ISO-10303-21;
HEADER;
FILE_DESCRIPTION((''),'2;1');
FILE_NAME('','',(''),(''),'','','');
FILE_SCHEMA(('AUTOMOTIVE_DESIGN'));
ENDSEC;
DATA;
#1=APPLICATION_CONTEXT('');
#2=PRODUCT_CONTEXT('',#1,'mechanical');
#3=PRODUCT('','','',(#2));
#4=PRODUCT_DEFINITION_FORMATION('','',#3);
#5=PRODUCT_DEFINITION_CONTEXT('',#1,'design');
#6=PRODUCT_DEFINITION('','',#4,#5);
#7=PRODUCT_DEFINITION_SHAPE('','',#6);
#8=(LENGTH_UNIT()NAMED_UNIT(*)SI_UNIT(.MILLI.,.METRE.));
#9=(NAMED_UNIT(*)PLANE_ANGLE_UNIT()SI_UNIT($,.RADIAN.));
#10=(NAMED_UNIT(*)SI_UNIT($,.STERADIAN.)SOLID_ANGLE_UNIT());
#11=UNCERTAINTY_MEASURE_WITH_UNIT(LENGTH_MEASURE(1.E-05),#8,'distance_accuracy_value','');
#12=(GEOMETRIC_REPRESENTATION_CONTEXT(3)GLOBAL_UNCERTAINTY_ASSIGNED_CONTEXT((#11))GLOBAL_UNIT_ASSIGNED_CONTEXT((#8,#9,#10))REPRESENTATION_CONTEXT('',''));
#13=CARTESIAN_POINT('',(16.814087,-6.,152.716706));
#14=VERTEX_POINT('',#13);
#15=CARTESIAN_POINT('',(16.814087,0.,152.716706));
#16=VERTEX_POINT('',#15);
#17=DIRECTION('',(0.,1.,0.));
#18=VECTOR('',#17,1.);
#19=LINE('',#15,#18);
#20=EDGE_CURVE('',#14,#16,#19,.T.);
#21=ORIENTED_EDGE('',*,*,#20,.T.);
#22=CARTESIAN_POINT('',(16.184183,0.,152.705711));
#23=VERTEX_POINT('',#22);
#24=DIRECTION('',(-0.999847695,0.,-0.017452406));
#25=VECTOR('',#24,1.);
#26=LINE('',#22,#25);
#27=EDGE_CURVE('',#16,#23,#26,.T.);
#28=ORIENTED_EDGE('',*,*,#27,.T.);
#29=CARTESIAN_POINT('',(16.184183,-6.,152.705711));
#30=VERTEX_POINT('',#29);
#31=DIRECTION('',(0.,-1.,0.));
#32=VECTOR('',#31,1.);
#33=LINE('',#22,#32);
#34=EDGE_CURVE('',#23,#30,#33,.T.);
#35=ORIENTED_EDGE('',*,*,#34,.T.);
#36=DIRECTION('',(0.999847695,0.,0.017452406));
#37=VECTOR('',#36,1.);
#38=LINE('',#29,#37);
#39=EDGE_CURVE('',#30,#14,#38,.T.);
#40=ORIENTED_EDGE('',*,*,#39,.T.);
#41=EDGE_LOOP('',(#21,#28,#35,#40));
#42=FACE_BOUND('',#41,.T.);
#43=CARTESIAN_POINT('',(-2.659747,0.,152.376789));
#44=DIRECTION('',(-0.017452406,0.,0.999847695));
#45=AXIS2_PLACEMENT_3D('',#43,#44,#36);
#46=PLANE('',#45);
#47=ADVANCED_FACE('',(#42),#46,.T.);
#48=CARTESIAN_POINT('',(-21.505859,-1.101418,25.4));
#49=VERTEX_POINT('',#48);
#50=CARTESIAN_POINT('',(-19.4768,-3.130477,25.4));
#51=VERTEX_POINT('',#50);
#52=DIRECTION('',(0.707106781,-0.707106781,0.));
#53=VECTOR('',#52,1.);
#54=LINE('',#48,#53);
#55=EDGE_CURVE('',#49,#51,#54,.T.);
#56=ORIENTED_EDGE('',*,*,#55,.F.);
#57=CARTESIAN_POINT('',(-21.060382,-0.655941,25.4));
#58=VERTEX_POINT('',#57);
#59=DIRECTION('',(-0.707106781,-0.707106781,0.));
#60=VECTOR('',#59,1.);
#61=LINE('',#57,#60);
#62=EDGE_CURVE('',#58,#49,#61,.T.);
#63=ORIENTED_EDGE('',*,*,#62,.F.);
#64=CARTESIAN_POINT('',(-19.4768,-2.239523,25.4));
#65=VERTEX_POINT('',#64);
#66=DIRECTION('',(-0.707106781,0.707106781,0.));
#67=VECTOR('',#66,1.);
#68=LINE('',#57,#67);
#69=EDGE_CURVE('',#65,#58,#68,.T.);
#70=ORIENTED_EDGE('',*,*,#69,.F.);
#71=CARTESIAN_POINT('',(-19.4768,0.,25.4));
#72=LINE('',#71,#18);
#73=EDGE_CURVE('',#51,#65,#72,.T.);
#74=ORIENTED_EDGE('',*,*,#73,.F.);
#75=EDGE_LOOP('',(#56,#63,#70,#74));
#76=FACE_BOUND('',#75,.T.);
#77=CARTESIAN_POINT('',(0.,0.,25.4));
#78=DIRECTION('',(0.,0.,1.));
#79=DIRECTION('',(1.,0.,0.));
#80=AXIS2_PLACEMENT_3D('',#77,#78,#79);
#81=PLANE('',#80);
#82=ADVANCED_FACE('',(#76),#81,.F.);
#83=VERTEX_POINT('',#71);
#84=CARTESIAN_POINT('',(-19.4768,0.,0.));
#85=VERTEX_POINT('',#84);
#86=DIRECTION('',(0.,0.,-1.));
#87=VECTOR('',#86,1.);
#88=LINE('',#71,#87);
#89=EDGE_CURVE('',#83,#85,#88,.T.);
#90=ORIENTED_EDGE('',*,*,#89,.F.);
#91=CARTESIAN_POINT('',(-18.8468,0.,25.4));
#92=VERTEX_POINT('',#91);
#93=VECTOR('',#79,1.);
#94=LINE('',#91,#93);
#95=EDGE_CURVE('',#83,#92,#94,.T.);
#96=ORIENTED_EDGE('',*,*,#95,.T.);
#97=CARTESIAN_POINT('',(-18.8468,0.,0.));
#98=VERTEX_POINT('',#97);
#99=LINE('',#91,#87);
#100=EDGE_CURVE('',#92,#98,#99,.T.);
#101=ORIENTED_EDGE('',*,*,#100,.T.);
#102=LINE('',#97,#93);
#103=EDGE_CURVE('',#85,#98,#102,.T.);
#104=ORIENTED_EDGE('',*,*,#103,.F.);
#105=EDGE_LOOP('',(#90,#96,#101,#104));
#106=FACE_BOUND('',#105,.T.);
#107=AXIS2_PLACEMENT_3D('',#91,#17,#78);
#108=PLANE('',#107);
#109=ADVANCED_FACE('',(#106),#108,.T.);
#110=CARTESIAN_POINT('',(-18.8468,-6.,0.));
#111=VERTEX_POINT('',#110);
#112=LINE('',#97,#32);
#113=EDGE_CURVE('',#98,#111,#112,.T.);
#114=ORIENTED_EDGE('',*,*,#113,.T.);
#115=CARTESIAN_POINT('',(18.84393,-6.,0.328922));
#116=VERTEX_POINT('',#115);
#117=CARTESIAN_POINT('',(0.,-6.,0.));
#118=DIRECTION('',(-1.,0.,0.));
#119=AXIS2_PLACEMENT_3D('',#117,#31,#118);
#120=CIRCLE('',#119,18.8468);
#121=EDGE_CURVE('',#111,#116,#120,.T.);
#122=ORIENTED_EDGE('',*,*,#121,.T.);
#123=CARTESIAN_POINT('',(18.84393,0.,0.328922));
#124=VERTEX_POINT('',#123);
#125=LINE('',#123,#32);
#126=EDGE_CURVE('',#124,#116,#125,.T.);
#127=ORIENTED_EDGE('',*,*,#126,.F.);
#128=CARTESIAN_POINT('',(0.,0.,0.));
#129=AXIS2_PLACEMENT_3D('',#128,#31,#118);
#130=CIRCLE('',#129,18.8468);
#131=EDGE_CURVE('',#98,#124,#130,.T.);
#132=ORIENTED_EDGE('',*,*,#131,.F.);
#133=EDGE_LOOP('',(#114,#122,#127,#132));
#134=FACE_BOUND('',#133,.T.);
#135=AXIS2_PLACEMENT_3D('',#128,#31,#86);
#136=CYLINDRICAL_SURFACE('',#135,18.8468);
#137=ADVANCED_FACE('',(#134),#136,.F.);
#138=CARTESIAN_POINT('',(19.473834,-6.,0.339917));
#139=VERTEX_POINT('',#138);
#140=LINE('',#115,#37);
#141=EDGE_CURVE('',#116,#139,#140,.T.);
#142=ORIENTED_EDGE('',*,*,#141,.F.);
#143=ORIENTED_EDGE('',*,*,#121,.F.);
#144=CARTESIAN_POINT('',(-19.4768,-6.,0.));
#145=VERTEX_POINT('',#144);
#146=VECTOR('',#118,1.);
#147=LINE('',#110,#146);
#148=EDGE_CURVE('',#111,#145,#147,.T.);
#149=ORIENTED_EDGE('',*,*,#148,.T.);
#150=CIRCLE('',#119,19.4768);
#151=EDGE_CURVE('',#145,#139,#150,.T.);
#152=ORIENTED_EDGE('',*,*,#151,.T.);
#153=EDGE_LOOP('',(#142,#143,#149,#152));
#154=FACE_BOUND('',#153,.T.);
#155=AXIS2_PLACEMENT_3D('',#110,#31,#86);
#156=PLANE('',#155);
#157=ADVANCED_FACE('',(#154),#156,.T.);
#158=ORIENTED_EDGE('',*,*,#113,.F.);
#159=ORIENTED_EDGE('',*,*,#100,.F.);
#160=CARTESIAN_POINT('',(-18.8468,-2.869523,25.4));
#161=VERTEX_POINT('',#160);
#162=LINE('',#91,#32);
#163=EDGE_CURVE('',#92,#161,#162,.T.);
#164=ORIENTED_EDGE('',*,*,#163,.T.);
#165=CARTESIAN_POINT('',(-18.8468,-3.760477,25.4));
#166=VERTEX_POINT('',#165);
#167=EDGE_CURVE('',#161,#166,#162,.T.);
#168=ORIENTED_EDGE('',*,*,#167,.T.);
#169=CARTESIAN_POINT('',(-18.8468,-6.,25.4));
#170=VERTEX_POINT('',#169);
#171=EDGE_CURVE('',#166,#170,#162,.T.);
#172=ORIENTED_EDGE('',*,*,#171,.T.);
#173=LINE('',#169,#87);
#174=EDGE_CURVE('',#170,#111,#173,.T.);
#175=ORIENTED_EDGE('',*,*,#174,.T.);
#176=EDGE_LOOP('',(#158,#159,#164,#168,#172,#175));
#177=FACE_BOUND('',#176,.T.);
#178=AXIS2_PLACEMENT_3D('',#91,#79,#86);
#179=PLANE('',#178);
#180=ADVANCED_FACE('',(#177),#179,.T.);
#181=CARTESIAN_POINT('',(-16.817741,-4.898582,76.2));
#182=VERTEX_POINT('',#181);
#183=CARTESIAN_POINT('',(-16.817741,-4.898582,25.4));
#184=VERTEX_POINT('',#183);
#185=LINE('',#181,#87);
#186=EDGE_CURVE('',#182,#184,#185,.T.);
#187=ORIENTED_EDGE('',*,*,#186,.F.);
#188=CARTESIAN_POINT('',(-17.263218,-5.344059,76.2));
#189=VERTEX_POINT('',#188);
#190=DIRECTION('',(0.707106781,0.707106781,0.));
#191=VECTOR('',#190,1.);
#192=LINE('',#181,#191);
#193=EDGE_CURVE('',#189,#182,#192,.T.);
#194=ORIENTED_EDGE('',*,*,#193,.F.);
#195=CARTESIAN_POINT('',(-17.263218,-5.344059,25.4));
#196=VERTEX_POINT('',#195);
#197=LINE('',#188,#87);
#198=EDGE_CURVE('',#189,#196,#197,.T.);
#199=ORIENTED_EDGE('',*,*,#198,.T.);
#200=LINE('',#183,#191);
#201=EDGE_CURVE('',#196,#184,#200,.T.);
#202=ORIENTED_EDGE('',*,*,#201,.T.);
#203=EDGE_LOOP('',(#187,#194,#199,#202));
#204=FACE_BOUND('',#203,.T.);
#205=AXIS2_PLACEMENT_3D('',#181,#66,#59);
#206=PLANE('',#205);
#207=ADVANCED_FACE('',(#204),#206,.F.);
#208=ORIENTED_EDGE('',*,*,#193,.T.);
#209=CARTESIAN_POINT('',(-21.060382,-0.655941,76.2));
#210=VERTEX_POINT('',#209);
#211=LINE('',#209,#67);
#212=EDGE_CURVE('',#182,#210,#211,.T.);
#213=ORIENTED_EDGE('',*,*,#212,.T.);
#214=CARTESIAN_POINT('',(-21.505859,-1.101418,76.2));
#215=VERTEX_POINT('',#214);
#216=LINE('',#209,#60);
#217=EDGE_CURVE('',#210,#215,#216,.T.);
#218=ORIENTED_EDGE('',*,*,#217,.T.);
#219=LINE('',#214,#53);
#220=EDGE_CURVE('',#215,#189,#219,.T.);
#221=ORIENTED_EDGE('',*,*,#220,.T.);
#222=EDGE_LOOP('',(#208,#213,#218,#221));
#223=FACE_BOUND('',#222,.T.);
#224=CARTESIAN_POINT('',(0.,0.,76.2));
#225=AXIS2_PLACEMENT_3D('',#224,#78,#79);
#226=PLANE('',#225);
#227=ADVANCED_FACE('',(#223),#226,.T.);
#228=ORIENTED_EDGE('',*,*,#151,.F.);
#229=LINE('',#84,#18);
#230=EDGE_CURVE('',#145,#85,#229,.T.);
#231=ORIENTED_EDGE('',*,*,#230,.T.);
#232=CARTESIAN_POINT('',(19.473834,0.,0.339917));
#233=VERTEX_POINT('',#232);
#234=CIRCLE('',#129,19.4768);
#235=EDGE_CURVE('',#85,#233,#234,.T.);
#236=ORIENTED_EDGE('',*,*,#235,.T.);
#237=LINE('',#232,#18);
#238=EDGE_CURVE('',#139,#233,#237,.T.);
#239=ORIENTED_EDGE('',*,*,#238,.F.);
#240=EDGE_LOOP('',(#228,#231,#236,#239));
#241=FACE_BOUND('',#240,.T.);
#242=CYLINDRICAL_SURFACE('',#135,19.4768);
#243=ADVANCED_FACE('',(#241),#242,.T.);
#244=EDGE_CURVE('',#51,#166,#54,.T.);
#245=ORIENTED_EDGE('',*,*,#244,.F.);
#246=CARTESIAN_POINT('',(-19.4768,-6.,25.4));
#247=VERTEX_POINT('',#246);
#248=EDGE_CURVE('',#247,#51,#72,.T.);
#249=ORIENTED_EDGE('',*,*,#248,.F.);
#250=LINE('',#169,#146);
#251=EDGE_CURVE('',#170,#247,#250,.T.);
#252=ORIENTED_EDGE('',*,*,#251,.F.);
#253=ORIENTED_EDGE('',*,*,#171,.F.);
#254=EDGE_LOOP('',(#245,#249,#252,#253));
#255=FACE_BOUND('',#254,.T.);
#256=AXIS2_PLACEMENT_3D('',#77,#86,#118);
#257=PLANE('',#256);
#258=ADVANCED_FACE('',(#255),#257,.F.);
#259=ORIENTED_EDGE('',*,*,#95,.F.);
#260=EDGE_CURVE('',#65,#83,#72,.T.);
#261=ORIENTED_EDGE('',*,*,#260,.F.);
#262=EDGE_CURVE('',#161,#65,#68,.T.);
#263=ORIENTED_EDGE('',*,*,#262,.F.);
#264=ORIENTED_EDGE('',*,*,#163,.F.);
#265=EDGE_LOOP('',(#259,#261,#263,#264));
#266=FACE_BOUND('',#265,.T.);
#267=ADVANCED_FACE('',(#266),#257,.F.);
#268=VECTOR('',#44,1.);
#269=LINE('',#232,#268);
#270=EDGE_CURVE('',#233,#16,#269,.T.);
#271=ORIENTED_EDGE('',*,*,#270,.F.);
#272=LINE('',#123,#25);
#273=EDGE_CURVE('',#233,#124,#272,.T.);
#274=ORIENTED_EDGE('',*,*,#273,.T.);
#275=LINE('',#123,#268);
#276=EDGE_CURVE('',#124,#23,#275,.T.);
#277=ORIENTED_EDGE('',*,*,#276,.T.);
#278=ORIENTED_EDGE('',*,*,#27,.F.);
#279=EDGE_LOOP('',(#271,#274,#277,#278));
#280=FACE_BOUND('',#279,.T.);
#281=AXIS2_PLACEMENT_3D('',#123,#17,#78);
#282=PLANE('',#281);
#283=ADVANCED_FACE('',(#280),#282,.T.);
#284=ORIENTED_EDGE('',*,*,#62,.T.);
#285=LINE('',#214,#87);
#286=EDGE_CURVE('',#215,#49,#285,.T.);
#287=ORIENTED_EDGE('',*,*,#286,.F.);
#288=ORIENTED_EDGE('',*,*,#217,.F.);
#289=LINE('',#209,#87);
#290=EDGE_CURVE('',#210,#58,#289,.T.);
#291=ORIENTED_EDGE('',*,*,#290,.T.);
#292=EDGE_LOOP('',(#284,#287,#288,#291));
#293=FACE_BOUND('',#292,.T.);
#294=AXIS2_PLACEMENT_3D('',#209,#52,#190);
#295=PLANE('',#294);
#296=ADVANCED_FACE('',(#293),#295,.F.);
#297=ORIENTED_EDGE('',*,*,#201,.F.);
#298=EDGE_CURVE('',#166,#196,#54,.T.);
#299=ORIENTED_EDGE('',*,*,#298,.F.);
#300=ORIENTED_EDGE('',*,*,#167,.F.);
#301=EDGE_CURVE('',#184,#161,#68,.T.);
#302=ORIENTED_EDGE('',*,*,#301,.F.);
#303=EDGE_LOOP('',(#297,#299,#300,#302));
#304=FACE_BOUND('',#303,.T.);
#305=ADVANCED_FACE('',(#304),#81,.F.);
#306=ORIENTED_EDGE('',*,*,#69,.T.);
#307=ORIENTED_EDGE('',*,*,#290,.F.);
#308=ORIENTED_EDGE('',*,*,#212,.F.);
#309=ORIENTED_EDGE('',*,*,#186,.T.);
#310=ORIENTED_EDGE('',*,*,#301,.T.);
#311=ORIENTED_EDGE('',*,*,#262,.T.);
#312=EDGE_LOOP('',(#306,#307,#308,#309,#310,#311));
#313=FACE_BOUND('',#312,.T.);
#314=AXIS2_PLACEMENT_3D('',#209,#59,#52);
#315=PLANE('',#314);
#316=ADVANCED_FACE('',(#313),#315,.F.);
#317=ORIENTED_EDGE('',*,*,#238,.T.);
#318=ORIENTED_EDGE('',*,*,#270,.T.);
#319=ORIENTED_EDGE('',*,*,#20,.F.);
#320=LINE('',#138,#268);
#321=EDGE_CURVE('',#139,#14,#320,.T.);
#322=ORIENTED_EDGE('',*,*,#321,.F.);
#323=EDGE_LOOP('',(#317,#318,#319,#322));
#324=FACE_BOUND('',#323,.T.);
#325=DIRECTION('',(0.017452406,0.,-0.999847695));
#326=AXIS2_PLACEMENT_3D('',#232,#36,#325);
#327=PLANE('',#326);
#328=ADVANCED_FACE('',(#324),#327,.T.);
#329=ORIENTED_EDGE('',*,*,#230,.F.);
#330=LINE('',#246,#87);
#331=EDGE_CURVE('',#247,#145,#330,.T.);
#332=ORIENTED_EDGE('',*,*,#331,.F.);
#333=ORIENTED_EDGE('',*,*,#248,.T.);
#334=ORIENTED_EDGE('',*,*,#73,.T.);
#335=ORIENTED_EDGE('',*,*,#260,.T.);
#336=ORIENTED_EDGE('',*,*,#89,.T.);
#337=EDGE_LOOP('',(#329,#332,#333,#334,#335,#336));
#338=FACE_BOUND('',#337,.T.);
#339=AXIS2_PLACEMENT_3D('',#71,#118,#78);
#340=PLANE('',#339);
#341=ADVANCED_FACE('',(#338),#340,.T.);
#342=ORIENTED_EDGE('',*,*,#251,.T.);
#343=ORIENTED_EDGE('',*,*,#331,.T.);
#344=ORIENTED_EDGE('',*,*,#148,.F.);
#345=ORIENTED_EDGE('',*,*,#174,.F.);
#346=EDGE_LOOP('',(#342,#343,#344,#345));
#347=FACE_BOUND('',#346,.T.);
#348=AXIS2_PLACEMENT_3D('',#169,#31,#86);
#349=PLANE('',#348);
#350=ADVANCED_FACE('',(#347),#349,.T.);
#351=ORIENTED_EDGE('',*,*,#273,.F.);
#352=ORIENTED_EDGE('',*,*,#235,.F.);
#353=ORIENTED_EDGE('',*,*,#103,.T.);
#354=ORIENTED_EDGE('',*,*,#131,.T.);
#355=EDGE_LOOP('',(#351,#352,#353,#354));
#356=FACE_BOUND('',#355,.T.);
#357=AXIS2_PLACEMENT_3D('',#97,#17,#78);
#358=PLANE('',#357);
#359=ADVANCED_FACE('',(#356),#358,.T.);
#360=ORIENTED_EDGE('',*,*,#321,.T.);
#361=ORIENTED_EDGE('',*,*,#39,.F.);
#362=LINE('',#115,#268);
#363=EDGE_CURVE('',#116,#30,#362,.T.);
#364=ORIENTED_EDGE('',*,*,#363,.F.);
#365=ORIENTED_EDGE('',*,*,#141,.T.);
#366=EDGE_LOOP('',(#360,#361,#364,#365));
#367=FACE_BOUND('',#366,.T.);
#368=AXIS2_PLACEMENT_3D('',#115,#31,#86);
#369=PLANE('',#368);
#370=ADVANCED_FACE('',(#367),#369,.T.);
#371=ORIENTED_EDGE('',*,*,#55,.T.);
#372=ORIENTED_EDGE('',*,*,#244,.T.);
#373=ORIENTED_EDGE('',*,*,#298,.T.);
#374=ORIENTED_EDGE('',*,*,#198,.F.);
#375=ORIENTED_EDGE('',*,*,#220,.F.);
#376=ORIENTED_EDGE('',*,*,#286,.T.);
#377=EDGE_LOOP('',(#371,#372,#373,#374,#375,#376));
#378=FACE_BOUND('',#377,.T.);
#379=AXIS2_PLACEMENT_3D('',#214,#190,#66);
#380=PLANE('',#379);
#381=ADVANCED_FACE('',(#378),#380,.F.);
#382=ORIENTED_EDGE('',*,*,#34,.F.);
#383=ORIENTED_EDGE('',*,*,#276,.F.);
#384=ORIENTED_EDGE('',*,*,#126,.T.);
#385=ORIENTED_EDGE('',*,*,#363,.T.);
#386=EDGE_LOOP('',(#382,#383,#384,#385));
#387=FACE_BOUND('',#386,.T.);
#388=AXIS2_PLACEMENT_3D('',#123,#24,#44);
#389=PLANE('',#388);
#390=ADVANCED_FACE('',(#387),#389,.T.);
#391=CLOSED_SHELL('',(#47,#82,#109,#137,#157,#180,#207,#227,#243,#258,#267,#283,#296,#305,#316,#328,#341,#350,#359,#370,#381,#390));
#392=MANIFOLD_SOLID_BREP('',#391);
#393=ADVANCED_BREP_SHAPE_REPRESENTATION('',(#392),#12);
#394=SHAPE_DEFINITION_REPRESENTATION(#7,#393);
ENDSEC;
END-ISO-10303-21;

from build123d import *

# Parameters (mm, degrees)
SKETCH2_W           = 0.63000001
SKETCH2_H           = 6
BOSS_EXTRUDE1_DEPTH = 50.8


with BuildPart() as part:
    # Sweep1: sweep along a path in Sketch1
    with BuildLine(Plane(origin=(0, 0, 0), x_dir=(1, 0, 0), z_dir=(0, 1, 0))) as sweep1_path:
        Line((-18.8468, -25.4), (-18.8468, 0))
        ThreePointArc((-18.8468, 0), (0.164467269, 18.846082372), (18.843929541, -0.328922014))
        Line((18.843929541, -0.328922014), (16.1841828, -152.705710755))
    # Sketch2 → Sweep1 (sweep)
    with BuildSketch(Plane(origin=(-18.8468, 0, 25.4), x_dir=(-1, 0, 0), z_dir=(0, 0, -1))):
        with Locations((0.315000005, -3)):
            Rectangle(SKETCH2_W, SKETCH2_H)
    sweep(path=sweep1_path.line)

    # Sketch3 → Boss-Extrude1 (add)
    with BuildSketch(Plane.XY.offset(25.4)):
        Polygon((-21.060381709, -0.655941017), (-16.817741022, -4.898581704), (-17.263218301, -5.344058983), (-21.505858988, -1.101418296), align=None)
    extrude(amount=BOSS_EXTRUDE1_DEPTH)


solid = part.part
